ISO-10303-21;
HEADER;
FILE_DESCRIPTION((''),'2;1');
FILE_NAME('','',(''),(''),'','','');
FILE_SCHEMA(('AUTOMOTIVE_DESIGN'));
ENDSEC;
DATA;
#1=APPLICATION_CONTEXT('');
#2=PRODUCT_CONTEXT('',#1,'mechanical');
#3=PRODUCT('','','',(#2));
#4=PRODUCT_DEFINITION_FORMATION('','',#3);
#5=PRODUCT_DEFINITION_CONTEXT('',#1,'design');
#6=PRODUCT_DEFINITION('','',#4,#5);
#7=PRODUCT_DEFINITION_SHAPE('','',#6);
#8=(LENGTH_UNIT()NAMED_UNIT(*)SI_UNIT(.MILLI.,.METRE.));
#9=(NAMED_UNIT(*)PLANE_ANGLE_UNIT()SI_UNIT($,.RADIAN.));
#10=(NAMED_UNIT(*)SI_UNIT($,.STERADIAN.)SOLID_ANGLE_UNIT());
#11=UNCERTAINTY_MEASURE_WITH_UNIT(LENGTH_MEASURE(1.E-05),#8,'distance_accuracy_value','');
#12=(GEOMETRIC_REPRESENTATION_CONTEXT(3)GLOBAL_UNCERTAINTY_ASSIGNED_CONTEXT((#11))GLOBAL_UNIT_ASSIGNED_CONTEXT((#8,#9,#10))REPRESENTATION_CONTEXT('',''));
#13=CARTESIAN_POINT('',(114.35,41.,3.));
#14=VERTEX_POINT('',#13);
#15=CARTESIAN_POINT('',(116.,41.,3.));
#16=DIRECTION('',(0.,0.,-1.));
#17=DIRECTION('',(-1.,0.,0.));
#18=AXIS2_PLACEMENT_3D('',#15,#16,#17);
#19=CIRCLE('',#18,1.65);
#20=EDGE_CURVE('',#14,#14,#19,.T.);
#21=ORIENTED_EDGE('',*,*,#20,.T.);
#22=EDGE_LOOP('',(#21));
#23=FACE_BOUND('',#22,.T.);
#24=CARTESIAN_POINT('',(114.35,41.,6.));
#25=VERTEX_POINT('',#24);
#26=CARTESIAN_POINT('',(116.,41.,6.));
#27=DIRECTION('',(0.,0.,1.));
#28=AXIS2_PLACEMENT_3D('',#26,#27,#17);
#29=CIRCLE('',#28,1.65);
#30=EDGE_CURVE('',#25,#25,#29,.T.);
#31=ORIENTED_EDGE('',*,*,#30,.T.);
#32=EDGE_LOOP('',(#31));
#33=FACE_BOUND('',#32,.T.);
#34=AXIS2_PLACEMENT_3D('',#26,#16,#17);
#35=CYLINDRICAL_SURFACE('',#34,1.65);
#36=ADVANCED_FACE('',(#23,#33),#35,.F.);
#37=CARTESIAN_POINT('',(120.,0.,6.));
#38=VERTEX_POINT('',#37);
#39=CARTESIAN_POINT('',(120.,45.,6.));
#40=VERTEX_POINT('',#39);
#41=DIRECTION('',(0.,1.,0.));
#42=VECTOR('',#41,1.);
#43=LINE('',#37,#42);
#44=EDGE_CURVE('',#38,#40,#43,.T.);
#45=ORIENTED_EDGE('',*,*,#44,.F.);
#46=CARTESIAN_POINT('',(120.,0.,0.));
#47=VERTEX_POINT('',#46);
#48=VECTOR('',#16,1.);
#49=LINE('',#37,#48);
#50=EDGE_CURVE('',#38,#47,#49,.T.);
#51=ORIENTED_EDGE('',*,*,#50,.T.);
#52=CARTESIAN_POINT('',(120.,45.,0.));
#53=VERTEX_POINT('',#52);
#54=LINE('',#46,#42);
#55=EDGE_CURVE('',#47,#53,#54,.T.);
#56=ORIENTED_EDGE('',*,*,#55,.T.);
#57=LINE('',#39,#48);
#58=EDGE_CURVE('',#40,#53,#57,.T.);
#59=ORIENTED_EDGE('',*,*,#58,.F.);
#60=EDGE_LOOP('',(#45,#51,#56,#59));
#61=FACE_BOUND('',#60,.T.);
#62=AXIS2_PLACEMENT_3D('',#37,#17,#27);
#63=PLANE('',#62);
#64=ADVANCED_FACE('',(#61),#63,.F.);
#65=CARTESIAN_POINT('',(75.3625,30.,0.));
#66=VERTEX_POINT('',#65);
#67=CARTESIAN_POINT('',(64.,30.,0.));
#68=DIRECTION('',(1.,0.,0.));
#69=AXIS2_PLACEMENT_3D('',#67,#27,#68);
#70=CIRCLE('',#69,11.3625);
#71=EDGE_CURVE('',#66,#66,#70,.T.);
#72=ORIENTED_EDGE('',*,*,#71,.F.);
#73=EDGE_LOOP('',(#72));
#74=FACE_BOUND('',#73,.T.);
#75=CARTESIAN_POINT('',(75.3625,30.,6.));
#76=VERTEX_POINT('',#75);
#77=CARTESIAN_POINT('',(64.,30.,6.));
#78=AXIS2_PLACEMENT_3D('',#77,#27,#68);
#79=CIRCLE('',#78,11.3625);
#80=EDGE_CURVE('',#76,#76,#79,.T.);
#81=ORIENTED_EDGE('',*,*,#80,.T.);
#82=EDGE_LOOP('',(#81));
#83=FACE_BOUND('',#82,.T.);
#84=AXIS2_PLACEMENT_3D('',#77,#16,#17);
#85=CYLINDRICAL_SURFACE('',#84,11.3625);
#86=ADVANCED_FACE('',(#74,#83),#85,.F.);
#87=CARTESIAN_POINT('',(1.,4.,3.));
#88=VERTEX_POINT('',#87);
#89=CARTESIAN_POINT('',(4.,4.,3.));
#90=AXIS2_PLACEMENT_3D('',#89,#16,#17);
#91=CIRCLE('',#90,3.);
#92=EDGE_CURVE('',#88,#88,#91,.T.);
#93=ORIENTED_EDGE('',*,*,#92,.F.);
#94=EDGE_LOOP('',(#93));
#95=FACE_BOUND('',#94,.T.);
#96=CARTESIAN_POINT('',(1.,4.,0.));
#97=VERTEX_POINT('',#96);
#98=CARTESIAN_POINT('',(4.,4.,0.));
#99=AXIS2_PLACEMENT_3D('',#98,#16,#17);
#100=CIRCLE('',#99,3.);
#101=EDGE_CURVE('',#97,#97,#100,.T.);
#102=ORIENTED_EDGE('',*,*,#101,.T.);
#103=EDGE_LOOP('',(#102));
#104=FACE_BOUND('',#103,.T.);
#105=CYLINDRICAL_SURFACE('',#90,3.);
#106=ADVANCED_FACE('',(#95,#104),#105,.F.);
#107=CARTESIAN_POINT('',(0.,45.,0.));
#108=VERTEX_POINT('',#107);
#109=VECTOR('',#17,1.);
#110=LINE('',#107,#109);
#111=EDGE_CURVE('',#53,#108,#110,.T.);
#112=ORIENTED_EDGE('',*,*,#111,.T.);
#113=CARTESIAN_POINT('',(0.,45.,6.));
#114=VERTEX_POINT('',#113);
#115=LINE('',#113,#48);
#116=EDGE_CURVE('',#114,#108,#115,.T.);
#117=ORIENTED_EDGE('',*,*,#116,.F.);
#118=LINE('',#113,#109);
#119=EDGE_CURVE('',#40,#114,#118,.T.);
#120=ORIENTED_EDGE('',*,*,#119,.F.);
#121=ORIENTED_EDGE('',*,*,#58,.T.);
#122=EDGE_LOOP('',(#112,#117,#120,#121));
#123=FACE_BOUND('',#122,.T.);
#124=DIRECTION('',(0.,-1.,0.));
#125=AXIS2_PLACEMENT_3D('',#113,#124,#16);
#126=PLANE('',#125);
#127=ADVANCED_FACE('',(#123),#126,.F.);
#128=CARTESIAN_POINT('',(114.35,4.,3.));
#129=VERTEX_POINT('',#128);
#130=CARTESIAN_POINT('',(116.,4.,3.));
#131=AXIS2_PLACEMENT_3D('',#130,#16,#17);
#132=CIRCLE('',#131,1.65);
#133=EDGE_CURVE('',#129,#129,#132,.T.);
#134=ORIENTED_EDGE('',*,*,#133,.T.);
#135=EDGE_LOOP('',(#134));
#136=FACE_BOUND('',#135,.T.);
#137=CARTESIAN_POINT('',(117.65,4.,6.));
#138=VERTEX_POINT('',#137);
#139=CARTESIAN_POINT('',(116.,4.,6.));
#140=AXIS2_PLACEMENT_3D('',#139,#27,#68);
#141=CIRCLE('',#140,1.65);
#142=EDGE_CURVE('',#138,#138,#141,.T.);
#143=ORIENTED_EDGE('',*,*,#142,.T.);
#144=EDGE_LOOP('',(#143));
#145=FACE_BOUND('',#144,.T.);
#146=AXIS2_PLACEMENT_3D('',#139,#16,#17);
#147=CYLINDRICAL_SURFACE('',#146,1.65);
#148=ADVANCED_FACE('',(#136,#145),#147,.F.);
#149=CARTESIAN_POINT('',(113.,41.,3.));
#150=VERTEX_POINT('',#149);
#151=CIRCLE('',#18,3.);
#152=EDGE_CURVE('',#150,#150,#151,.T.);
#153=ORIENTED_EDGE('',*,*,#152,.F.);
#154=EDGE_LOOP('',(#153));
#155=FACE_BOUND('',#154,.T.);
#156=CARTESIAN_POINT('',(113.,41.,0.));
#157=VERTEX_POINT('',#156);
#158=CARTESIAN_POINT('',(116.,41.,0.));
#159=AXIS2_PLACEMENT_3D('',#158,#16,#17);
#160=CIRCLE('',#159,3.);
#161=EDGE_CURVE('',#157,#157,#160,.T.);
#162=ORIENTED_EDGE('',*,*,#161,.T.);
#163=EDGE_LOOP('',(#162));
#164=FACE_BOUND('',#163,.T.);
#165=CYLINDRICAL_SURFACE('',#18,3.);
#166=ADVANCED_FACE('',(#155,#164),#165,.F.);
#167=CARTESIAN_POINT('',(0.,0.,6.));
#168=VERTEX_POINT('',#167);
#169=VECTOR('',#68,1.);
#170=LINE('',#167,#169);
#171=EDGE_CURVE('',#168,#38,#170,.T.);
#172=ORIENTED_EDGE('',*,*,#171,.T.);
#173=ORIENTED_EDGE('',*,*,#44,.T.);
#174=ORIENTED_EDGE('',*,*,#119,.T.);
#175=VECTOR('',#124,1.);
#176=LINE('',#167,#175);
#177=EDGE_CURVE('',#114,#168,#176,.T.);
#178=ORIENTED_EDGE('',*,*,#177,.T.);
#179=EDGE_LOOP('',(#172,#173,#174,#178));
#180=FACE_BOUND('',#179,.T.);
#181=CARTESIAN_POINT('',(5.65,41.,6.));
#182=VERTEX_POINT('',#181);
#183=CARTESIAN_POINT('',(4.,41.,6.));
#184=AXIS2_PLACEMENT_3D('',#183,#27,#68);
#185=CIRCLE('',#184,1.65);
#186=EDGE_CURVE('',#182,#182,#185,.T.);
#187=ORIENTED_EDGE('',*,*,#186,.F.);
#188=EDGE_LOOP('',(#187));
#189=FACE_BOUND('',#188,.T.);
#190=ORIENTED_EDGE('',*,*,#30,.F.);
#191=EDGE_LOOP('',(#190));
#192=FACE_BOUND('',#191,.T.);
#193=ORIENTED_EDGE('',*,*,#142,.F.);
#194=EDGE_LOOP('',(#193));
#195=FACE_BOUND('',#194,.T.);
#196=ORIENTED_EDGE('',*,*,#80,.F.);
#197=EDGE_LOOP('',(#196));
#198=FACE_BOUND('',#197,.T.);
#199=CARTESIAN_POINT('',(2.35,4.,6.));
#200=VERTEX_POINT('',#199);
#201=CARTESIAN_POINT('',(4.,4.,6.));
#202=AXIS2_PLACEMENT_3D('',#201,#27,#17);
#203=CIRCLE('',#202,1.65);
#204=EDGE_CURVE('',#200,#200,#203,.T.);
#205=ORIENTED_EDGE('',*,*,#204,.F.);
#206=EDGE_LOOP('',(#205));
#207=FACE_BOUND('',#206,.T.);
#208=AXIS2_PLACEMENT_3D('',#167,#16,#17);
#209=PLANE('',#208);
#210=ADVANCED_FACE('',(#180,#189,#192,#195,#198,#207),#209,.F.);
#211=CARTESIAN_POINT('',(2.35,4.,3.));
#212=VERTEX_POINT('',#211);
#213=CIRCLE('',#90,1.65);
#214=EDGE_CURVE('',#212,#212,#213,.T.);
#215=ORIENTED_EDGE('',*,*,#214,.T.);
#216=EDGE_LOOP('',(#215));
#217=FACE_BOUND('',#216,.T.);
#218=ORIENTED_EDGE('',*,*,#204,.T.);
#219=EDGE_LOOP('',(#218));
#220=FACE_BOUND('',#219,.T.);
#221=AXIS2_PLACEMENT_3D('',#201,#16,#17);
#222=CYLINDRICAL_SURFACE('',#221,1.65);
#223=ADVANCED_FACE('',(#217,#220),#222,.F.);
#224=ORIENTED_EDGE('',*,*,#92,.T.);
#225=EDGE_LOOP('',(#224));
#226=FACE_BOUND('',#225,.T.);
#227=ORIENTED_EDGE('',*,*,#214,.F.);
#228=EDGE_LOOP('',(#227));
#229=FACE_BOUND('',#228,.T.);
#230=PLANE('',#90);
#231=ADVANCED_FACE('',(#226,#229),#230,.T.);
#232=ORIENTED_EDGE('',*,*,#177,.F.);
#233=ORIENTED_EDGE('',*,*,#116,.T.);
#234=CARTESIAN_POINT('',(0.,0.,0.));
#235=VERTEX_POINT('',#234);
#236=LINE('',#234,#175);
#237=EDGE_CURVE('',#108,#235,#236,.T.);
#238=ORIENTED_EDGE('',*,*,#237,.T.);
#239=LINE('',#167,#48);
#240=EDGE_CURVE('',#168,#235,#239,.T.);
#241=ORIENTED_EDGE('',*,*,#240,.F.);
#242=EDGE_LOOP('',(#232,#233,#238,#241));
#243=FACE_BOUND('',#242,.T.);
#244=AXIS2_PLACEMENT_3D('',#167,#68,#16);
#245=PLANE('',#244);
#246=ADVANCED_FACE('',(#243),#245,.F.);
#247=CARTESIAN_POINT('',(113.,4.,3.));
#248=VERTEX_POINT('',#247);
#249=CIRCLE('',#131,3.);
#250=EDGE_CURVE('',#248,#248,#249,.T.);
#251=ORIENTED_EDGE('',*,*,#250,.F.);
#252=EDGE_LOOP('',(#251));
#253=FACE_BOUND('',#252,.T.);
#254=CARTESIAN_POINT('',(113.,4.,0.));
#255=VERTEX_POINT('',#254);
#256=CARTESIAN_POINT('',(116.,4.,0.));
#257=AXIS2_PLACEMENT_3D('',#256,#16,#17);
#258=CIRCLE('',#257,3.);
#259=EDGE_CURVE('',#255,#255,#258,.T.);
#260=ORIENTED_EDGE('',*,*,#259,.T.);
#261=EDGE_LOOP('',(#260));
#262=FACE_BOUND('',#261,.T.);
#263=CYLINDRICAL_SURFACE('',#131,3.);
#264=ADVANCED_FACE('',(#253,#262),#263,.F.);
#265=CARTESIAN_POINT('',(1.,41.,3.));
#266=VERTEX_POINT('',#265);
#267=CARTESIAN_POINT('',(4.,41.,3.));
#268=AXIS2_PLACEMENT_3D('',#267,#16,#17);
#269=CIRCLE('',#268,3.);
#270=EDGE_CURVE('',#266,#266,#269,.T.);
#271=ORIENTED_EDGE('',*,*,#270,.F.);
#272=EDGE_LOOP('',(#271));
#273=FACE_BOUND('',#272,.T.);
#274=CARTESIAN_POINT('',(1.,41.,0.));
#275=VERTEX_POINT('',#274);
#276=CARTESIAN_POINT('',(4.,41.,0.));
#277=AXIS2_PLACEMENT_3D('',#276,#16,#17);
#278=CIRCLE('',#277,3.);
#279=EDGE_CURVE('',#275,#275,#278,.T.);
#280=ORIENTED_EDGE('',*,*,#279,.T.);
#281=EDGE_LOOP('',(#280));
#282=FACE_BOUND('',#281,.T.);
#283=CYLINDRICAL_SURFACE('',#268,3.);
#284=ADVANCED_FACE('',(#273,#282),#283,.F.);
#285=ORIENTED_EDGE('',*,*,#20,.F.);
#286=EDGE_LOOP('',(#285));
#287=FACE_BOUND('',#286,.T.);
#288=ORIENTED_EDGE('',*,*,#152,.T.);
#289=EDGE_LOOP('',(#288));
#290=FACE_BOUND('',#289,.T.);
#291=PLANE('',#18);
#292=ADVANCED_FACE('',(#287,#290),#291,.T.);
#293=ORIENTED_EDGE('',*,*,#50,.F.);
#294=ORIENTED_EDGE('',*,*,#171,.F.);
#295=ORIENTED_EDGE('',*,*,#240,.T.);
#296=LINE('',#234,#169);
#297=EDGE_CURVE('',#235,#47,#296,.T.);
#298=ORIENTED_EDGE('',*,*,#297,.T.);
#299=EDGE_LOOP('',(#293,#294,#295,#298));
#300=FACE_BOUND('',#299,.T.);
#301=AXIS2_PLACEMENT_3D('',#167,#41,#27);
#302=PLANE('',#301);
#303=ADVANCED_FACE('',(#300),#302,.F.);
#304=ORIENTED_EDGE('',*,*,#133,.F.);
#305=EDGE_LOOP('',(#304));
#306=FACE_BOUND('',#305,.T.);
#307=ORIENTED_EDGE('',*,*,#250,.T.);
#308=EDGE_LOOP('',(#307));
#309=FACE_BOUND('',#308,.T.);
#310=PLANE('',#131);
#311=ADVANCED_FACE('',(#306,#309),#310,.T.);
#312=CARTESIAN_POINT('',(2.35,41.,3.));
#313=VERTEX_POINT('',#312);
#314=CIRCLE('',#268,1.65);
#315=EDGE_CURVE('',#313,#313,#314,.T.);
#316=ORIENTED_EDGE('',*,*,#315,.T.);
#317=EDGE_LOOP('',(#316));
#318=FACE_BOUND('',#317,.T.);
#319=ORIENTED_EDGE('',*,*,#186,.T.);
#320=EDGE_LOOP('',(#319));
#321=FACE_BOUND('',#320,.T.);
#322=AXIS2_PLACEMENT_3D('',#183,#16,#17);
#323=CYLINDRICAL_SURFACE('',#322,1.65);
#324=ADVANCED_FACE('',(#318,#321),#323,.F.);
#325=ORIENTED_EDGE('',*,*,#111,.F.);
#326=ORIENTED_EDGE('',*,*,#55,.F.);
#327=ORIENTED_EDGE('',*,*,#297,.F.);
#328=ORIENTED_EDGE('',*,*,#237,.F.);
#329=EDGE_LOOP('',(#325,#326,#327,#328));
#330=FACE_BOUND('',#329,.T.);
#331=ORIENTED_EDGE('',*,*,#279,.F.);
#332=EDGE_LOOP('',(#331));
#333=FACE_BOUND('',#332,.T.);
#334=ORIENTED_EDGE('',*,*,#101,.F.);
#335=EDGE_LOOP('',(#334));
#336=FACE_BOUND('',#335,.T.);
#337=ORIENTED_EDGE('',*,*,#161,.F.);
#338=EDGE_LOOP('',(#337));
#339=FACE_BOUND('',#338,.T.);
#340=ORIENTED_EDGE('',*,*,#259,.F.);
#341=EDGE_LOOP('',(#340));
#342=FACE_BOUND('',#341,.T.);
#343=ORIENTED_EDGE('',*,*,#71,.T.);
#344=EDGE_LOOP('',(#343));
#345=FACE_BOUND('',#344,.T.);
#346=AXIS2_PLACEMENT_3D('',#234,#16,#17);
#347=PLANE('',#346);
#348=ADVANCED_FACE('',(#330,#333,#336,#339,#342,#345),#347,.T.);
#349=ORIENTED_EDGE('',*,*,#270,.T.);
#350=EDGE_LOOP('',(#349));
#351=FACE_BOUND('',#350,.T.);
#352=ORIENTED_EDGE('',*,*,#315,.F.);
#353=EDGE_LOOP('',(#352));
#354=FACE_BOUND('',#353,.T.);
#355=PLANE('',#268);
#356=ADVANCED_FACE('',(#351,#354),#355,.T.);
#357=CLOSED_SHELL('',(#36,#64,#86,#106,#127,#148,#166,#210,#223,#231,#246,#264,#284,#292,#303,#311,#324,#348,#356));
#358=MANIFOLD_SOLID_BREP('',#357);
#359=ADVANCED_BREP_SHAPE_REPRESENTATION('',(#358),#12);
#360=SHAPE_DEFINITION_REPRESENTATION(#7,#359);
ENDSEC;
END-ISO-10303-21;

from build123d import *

# Parameters (mm, degrees)
SKETCH1_W           = 120
SKETCH1_H           = 45
SKETCH1_R           = 11.3625
SKETCH1_R_2         = 1.65
BOSS_EXTRUDE1_DEPTH = 6
CUT_EXTRUDE1_START  = -6
SKETCH2_R           = 3
SKETCH2_R_2         = 1.65
CUT_EXTRUDE1_DEPTH  = 3


with BuildPart() as part:
    # Sketch1 → Boss-Extrude1 (new body)
    with BuildSketch(Plane.XY):
        with Locations((60, 22.5)):
            Rectangle(SKETCH1_W, SKETCH1_H)
        with Locations((64, 30)):
            Circle(SKETCH1_R, mode=Mode.SUBTRACT)
        with Locations((4, 41)):
            Circle(SKETCH1_R_2, mode=Mode.SUBTRACT)
        with Locations(Location((4, 4, 0), (0, 0, 180))):
            Circle(SKETCH1_R_2, mode=Mode.SUBTRACT)
        with Locations(Location((116, 41, 0), (0, 0, 180))):
            Circle(SKETCH1_R_2, mode=Mode.SUBTRACT)
        with Locations((116, 4)):
            Circle(SKETCH1_R_2, mode=Mode.SUBTRACT)
    extrude(amount=BOSS_EXTRUDE1_DEPTH)

    # Sketch2 → Cut-Extrude1 (cut)
    # profile 1 of 4: a face of its own
    with BuildSketch(Plane.XY.offset(6).offset(CUT_EXTRUDE1_START)):
        with Locations(Location((4, 41, 0), (0, 0, 180))):
            Circle(SKETCH2_R)
        with Locations(Location((4, 41, 0), (0, 0, 180))):
            Circle(SKETCH2_R_2, mode=Mode.SUBTRACT)
    # profile 2 of 4: a face of its own
    with BuildSketch(Plane.XY.offset(6).offset(CUT_EXTRUDE1_START)):
        with Locations(Location((4, 4, 0), (0, 0, 180))):
            Circle(SKETCH2_R)
        with Locations(Location((4, 4, 0), (0, 0, 180))):
            Circle(SKETCH2_R_2, mode=Mode.SUBTRACT)
    # profile 3 of 4: a face of its own
    with BuildSketch(Plane.XY.offset(6).offset(CUT_EXTRUDE1_START)):
        with Locations(Location((116, 4, 0), (0, 0, 180))):
            Circle(SKETCH2_R)
        with Locations(Location((116, 4, 0), (0, 0, 180))):
            Circle(SKETCH2_R_2, mode=Mode.SUBTRACT)
    # profile 4 of 4: a face of its own
    with BuildSketch(Plane.XY.offset(6).offset(CUT_EXTRUDE1_START)):
        with Locations(Location((116, 41, 0), (0, 0, 180))):
            Circle(SKETCH2_R)
        with Locations(Location((116, 41, 0), (0, 0, 180))):
            Circle(SKETCH2_R_2, mode=Mode.SUBTRACT)
    extrude(amount=CUT_EXTRUDE1_DEPTH, mode=Mode.SUBTRACT)


solid = part.part
